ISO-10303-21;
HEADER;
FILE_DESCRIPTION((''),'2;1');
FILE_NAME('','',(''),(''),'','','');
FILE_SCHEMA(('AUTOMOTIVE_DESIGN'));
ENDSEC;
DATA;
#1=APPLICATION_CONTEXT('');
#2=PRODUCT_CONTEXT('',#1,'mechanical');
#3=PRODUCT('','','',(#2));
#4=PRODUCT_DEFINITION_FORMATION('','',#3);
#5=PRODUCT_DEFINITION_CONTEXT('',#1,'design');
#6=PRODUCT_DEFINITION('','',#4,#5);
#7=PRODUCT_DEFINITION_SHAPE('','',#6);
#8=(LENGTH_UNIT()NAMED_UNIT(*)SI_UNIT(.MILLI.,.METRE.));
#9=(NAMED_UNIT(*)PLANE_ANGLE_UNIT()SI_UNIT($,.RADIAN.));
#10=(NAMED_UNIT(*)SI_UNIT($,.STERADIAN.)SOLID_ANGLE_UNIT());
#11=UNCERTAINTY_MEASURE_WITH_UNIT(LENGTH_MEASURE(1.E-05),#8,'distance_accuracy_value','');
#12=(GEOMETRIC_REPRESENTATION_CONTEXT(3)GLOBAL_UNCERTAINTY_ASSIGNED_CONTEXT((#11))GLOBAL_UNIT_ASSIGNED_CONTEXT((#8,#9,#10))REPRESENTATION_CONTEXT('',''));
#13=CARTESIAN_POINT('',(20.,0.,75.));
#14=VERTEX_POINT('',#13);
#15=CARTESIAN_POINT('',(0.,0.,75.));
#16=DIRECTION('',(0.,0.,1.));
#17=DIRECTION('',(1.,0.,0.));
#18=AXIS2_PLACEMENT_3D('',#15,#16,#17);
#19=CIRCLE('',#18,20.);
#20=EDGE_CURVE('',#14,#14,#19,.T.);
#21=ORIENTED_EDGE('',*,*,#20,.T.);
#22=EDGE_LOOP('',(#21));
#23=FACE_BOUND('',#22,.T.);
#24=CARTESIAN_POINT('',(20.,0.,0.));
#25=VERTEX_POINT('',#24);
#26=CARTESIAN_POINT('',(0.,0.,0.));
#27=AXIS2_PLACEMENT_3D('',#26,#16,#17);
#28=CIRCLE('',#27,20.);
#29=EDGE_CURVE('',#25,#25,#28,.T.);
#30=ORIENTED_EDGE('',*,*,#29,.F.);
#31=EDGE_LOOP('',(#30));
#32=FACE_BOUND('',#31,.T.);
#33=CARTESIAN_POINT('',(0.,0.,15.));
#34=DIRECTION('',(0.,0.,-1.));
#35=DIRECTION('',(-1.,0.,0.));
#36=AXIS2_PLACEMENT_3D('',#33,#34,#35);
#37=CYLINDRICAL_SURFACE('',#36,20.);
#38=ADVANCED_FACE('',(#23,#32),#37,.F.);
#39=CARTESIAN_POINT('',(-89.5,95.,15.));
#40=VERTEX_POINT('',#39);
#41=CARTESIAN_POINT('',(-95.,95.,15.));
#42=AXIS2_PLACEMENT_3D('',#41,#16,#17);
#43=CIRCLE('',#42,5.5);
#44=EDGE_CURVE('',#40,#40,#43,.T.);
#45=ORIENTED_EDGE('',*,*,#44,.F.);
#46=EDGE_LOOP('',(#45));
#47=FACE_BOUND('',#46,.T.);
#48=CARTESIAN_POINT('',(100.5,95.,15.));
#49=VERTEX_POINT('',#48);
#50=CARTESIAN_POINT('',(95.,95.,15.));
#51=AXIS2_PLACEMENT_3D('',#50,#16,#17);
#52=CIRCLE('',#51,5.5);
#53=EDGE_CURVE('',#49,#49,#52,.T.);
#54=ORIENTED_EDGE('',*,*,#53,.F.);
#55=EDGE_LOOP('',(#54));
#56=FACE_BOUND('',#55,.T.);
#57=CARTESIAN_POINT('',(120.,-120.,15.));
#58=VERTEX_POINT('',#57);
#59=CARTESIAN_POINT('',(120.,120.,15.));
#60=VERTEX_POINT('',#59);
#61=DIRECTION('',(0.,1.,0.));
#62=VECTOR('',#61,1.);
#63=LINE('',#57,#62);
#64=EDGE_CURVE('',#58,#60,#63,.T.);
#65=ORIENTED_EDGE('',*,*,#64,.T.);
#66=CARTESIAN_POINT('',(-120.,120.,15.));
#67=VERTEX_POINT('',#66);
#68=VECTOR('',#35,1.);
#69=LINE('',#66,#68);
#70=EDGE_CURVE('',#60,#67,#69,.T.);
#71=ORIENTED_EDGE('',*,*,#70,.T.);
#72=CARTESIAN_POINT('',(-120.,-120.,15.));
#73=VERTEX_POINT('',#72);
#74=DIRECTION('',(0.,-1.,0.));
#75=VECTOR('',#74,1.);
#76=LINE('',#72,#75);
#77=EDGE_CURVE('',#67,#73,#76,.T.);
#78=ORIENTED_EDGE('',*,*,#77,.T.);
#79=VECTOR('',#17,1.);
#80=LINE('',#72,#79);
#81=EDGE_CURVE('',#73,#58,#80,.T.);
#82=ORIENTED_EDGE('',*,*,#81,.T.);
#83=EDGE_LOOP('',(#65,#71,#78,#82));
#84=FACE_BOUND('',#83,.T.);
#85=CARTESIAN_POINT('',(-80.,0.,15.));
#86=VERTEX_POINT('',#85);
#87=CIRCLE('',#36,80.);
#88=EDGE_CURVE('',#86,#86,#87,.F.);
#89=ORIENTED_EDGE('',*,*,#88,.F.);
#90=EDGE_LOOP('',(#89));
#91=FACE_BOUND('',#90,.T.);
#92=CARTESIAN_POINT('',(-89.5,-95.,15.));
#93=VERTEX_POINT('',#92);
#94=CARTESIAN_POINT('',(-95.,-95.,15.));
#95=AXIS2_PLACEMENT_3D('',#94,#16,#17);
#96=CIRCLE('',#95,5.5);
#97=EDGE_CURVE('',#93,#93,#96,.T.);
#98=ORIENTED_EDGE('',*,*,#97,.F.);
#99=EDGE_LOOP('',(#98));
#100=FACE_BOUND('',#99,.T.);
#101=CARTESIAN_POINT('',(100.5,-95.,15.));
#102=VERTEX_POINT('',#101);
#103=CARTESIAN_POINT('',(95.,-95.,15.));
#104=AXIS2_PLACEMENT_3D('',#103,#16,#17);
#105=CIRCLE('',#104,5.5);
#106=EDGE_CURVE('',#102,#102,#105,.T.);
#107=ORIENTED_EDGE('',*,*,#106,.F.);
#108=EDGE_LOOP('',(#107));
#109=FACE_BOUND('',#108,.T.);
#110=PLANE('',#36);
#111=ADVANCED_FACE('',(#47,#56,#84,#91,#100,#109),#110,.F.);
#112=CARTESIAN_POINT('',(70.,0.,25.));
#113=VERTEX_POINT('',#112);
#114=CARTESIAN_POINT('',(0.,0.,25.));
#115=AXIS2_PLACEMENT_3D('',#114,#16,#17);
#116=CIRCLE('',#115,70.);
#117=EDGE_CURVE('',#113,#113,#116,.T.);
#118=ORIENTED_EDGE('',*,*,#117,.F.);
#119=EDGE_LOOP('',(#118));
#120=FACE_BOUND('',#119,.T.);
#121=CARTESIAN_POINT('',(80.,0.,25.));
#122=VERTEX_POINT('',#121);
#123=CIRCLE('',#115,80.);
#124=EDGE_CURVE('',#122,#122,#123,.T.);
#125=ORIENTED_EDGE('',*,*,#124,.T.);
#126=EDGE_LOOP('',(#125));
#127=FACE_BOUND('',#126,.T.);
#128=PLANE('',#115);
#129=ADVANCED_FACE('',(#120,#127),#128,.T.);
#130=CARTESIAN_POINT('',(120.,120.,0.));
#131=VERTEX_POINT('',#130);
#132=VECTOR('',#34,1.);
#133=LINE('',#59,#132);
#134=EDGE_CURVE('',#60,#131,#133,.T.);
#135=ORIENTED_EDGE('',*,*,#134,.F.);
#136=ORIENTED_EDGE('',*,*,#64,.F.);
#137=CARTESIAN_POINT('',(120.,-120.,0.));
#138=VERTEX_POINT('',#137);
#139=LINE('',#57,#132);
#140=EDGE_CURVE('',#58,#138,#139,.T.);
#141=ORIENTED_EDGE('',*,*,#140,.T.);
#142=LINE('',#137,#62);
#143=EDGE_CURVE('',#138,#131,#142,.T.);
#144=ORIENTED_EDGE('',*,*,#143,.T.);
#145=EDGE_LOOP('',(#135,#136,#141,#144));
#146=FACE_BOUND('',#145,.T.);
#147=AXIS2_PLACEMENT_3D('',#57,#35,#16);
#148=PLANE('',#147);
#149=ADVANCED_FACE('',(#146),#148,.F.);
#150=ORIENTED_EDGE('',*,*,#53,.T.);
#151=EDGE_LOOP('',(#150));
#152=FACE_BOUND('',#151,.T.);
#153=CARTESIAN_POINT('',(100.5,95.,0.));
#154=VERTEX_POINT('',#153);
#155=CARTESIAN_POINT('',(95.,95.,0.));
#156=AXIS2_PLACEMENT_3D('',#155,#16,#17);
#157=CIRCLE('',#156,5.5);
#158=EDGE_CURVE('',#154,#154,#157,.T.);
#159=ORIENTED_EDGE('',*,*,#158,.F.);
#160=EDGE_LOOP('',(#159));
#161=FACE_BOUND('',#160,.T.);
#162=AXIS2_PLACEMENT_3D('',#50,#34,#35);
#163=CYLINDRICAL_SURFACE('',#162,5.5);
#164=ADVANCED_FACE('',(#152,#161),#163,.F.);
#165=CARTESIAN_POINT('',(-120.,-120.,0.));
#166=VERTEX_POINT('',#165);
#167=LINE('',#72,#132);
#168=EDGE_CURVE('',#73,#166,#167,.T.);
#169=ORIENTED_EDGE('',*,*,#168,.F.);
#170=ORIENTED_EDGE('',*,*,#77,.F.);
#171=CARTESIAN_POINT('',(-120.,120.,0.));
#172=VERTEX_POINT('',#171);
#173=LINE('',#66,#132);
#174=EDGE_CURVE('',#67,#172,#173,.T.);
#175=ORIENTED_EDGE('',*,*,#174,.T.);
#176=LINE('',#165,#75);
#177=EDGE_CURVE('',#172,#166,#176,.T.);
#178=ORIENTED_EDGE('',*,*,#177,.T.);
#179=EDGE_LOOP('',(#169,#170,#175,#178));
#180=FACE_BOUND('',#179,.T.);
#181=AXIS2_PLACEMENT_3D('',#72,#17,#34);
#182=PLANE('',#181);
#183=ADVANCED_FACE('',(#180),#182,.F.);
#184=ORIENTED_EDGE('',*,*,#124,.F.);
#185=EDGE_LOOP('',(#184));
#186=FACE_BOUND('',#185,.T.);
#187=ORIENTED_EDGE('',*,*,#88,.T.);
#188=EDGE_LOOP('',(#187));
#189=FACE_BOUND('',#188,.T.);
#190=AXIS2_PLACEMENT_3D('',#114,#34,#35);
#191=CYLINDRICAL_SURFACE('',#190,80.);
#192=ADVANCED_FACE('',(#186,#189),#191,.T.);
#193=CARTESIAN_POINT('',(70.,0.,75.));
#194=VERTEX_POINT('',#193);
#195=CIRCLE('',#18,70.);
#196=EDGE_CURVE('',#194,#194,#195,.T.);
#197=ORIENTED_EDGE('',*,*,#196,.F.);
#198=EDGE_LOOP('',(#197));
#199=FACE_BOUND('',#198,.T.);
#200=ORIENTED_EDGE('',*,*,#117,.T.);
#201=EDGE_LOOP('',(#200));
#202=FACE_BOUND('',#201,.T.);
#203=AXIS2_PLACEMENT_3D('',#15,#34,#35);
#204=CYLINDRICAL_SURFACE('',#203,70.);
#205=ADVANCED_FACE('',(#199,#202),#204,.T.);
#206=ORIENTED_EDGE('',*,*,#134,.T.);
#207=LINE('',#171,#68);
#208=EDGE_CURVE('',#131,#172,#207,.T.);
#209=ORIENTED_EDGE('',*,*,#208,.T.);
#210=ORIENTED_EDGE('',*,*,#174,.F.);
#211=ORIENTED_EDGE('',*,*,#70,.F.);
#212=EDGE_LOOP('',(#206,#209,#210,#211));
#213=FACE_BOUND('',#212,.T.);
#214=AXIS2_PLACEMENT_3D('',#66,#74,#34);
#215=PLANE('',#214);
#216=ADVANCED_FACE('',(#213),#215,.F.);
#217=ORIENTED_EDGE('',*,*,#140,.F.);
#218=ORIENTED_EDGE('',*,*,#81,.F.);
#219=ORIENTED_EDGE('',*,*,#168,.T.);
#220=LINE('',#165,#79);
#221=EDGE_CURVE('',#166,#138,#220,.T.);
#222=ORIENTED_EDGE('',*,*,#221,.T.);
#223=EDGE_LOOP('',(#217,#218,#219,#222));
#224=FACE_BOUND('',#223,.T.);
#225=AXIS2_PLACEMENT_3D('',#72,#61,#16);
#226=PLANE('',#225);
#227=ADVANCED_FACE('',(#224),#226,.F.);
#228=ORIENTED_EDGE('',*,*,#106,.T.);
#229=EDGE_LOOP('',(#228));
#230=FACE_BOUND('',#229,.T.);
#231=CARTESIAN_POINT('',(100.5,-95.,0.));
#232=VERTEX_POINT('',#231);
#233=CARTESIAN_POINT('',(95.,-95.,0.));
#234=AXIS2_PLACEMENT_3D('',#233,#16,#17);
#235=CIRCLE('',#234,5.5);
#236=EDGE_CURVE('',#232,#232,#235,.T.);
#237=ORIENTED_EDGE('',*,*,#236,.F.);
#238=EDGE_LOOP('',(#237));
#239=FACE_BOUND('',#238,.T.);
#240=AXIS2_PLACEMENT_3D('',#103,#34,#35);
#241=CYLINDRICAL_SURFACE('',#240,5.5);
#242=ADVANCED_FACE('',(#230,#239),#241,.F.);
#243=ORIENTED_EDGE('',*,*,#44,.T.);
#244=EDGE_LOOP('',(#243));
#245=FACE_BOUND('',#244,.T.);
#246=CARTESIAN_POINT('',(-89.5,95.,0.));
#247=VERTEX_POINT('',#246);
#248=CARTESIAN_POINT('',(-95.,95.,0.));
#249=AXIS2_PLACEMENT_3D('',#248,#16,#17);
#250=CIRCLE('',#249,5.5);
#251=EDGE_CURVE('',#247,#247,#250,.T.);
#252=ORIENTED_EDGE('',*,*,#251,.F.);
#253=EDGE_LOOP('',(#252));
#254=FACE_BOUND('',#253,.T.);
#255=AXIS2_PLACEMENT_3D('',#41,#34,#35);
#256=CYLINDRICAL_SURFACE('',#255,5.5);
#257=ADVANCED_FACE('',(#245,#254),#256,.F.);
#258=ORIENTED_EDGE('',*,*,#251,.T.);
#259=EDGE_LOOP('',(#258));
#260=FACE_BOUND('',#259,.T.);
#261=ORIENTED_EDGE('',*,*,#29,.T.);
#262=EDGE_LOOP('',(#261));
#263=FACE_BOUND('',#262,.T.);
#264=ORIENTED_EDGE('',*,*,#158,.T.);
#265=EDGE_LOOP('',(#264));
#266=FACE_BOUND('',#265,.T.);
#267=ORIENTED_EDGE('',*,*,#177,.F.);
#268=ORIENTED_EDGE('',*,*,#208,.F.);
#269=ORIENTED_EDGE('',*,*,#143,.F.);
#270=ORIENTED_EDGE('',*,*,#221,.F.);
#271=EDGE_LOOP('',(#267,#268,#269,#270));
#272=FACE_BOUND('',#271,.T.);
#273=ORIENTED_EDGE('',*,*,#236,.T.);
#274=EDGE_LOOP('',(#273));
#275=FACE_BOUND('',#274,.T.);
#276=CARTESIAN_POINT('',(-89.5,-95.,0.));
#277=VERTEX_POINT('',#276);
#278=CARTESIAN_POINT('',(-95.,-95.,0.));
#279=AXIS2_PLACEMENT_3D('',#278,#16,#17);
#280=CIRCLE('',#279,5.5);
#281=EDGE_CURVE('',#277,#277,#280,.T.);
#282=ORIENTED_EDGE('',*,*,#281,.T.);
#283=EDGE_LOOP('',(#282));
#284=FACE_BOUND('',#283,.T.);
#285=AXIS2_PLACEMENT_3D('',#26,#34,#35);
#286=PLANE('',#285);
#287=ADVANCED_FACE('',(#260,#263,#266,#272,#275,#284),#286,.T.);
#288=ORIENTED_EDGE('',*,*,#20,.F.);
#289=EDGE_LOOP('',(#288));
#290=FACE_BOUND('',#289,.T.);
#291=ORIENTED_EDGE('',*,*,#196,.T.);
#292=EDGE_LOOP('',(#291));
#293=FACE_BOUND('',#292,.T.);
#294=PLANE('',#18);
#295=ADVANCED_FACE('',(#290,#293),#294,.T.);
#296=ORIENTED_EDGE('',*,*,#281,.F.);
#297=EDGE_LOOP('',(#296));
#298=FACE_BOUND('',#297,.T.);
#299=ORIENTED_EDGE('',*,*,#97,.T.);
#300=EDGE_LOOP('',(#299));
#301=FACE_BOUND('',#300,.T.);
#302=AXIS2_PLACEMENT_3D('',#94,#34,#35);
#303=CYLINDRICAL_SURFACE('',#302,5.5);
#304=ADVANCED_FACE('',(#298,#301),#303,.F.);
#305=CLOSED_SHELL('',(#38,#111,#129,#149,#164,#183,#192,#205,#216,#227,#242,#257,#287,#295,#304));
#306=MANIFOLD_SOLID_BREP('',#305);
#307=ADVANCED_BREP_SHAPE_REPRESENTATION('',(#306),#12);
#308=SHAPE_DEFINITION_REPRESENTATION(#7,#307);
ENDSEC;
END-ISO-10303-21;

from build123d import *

# Parameters (mm, degrees)
SKETCH1_W           = 240
SKETCH1_H           = 240
SKETCH1_R           = 20
SKETCH1_R_2         = 5.5
BOSS_EXTRUDE1_DEPTH = 15
SKETCH2_R           = 70
SKETCH2_R_2         = 20
BOSS_EXTRUDE2_DEPTH = 75
SKETCH3_R           = 80
SKETCH3_R_2         = 40
SKETCH3_R_3         = 3
BOSS_EXTRUDE3_DEPTH = 25


with BuildPart() as part:
    # Sketch1 → Boss-Extrude1 (new body)
    with BuildSketch(Plane.XY):
        Rectangle(SKETCH1_W, SKETCH1_H)
        Circle(SKETCH1_R, mode=Mode.SUBTRACT)
        with Locations((-95, -95)):
            Circle(SKETCH1_R_2, mode=Mode.SUBTRACT)
        with Locations((-95, 95)):
            Circle(SKETCH1_R_2, mode=Mode.SUBTRACT)
        with Locations((95, -95)):
            Circle(SKETCH1_R_2, mode=Mode.SUBTRACT)
        with Locations((95, 95)):
            Circle(SKETCH1_R_2, mode=Mode.SUBTRACT)
    extrude(amount=BOSS_EXTRUDE1_DEPTH)

    # Sketch2 → Boss-Extrude2 (add)
    with BuildSketch(Plane.XY):
        Circle(SKETCH2_R)
        Circle(SKETCH2_R_2, mode=Mode.SUBTRACT)
    extrude(amount=BOSS_EXTRUDE2_DEPTH)

    # Sketch3 → Boss-Extrude3 (add)
    with BuildSketch(Plane.XY):
        Circle(SKETCH3_R)
        Circle(SKETCH3_R_2, mode=Mode.SUBTRACT)
        with Locations((65, 0)):
            Circle(SKETCH3_R_3, mode=Mode.SUBTRACT)
        with Locations((45.961940777, 45.961940777)):
            Circle(SKETCH3_R_3, mode=Mode.SUBTRACT)
        with Locations((0, 65)):
            Circle(SKETCH3_R_3, mode=Mode.SUBTRACT)
        with Locations((-45.961940777, 45.961940777)):
            Circle(SKETCH3_R_3, mode=Mode.SUBTRACT)
        with Locations((-65, 0)):
            Circle(SKETCH3_R_3, mode=Mode.SUBTRACT)
        with Locations((-45.961940777, -45.961940777)):
            Circle(SKETCH3_R_3, mode=Mode.SUBTRACT)
        with Locations((0, -65)):
            Circle(SKETCH3_R_3, mode=Mode.SUBTRACT)
        with Locations((45.961940777, -45.961940777)):
            Circle(SKETCH3_R_3, mode=Mode.SUBTRACT)
    extrude(amount=BOSS_EXTRUDE3_DEPTH)


solid = part.part
